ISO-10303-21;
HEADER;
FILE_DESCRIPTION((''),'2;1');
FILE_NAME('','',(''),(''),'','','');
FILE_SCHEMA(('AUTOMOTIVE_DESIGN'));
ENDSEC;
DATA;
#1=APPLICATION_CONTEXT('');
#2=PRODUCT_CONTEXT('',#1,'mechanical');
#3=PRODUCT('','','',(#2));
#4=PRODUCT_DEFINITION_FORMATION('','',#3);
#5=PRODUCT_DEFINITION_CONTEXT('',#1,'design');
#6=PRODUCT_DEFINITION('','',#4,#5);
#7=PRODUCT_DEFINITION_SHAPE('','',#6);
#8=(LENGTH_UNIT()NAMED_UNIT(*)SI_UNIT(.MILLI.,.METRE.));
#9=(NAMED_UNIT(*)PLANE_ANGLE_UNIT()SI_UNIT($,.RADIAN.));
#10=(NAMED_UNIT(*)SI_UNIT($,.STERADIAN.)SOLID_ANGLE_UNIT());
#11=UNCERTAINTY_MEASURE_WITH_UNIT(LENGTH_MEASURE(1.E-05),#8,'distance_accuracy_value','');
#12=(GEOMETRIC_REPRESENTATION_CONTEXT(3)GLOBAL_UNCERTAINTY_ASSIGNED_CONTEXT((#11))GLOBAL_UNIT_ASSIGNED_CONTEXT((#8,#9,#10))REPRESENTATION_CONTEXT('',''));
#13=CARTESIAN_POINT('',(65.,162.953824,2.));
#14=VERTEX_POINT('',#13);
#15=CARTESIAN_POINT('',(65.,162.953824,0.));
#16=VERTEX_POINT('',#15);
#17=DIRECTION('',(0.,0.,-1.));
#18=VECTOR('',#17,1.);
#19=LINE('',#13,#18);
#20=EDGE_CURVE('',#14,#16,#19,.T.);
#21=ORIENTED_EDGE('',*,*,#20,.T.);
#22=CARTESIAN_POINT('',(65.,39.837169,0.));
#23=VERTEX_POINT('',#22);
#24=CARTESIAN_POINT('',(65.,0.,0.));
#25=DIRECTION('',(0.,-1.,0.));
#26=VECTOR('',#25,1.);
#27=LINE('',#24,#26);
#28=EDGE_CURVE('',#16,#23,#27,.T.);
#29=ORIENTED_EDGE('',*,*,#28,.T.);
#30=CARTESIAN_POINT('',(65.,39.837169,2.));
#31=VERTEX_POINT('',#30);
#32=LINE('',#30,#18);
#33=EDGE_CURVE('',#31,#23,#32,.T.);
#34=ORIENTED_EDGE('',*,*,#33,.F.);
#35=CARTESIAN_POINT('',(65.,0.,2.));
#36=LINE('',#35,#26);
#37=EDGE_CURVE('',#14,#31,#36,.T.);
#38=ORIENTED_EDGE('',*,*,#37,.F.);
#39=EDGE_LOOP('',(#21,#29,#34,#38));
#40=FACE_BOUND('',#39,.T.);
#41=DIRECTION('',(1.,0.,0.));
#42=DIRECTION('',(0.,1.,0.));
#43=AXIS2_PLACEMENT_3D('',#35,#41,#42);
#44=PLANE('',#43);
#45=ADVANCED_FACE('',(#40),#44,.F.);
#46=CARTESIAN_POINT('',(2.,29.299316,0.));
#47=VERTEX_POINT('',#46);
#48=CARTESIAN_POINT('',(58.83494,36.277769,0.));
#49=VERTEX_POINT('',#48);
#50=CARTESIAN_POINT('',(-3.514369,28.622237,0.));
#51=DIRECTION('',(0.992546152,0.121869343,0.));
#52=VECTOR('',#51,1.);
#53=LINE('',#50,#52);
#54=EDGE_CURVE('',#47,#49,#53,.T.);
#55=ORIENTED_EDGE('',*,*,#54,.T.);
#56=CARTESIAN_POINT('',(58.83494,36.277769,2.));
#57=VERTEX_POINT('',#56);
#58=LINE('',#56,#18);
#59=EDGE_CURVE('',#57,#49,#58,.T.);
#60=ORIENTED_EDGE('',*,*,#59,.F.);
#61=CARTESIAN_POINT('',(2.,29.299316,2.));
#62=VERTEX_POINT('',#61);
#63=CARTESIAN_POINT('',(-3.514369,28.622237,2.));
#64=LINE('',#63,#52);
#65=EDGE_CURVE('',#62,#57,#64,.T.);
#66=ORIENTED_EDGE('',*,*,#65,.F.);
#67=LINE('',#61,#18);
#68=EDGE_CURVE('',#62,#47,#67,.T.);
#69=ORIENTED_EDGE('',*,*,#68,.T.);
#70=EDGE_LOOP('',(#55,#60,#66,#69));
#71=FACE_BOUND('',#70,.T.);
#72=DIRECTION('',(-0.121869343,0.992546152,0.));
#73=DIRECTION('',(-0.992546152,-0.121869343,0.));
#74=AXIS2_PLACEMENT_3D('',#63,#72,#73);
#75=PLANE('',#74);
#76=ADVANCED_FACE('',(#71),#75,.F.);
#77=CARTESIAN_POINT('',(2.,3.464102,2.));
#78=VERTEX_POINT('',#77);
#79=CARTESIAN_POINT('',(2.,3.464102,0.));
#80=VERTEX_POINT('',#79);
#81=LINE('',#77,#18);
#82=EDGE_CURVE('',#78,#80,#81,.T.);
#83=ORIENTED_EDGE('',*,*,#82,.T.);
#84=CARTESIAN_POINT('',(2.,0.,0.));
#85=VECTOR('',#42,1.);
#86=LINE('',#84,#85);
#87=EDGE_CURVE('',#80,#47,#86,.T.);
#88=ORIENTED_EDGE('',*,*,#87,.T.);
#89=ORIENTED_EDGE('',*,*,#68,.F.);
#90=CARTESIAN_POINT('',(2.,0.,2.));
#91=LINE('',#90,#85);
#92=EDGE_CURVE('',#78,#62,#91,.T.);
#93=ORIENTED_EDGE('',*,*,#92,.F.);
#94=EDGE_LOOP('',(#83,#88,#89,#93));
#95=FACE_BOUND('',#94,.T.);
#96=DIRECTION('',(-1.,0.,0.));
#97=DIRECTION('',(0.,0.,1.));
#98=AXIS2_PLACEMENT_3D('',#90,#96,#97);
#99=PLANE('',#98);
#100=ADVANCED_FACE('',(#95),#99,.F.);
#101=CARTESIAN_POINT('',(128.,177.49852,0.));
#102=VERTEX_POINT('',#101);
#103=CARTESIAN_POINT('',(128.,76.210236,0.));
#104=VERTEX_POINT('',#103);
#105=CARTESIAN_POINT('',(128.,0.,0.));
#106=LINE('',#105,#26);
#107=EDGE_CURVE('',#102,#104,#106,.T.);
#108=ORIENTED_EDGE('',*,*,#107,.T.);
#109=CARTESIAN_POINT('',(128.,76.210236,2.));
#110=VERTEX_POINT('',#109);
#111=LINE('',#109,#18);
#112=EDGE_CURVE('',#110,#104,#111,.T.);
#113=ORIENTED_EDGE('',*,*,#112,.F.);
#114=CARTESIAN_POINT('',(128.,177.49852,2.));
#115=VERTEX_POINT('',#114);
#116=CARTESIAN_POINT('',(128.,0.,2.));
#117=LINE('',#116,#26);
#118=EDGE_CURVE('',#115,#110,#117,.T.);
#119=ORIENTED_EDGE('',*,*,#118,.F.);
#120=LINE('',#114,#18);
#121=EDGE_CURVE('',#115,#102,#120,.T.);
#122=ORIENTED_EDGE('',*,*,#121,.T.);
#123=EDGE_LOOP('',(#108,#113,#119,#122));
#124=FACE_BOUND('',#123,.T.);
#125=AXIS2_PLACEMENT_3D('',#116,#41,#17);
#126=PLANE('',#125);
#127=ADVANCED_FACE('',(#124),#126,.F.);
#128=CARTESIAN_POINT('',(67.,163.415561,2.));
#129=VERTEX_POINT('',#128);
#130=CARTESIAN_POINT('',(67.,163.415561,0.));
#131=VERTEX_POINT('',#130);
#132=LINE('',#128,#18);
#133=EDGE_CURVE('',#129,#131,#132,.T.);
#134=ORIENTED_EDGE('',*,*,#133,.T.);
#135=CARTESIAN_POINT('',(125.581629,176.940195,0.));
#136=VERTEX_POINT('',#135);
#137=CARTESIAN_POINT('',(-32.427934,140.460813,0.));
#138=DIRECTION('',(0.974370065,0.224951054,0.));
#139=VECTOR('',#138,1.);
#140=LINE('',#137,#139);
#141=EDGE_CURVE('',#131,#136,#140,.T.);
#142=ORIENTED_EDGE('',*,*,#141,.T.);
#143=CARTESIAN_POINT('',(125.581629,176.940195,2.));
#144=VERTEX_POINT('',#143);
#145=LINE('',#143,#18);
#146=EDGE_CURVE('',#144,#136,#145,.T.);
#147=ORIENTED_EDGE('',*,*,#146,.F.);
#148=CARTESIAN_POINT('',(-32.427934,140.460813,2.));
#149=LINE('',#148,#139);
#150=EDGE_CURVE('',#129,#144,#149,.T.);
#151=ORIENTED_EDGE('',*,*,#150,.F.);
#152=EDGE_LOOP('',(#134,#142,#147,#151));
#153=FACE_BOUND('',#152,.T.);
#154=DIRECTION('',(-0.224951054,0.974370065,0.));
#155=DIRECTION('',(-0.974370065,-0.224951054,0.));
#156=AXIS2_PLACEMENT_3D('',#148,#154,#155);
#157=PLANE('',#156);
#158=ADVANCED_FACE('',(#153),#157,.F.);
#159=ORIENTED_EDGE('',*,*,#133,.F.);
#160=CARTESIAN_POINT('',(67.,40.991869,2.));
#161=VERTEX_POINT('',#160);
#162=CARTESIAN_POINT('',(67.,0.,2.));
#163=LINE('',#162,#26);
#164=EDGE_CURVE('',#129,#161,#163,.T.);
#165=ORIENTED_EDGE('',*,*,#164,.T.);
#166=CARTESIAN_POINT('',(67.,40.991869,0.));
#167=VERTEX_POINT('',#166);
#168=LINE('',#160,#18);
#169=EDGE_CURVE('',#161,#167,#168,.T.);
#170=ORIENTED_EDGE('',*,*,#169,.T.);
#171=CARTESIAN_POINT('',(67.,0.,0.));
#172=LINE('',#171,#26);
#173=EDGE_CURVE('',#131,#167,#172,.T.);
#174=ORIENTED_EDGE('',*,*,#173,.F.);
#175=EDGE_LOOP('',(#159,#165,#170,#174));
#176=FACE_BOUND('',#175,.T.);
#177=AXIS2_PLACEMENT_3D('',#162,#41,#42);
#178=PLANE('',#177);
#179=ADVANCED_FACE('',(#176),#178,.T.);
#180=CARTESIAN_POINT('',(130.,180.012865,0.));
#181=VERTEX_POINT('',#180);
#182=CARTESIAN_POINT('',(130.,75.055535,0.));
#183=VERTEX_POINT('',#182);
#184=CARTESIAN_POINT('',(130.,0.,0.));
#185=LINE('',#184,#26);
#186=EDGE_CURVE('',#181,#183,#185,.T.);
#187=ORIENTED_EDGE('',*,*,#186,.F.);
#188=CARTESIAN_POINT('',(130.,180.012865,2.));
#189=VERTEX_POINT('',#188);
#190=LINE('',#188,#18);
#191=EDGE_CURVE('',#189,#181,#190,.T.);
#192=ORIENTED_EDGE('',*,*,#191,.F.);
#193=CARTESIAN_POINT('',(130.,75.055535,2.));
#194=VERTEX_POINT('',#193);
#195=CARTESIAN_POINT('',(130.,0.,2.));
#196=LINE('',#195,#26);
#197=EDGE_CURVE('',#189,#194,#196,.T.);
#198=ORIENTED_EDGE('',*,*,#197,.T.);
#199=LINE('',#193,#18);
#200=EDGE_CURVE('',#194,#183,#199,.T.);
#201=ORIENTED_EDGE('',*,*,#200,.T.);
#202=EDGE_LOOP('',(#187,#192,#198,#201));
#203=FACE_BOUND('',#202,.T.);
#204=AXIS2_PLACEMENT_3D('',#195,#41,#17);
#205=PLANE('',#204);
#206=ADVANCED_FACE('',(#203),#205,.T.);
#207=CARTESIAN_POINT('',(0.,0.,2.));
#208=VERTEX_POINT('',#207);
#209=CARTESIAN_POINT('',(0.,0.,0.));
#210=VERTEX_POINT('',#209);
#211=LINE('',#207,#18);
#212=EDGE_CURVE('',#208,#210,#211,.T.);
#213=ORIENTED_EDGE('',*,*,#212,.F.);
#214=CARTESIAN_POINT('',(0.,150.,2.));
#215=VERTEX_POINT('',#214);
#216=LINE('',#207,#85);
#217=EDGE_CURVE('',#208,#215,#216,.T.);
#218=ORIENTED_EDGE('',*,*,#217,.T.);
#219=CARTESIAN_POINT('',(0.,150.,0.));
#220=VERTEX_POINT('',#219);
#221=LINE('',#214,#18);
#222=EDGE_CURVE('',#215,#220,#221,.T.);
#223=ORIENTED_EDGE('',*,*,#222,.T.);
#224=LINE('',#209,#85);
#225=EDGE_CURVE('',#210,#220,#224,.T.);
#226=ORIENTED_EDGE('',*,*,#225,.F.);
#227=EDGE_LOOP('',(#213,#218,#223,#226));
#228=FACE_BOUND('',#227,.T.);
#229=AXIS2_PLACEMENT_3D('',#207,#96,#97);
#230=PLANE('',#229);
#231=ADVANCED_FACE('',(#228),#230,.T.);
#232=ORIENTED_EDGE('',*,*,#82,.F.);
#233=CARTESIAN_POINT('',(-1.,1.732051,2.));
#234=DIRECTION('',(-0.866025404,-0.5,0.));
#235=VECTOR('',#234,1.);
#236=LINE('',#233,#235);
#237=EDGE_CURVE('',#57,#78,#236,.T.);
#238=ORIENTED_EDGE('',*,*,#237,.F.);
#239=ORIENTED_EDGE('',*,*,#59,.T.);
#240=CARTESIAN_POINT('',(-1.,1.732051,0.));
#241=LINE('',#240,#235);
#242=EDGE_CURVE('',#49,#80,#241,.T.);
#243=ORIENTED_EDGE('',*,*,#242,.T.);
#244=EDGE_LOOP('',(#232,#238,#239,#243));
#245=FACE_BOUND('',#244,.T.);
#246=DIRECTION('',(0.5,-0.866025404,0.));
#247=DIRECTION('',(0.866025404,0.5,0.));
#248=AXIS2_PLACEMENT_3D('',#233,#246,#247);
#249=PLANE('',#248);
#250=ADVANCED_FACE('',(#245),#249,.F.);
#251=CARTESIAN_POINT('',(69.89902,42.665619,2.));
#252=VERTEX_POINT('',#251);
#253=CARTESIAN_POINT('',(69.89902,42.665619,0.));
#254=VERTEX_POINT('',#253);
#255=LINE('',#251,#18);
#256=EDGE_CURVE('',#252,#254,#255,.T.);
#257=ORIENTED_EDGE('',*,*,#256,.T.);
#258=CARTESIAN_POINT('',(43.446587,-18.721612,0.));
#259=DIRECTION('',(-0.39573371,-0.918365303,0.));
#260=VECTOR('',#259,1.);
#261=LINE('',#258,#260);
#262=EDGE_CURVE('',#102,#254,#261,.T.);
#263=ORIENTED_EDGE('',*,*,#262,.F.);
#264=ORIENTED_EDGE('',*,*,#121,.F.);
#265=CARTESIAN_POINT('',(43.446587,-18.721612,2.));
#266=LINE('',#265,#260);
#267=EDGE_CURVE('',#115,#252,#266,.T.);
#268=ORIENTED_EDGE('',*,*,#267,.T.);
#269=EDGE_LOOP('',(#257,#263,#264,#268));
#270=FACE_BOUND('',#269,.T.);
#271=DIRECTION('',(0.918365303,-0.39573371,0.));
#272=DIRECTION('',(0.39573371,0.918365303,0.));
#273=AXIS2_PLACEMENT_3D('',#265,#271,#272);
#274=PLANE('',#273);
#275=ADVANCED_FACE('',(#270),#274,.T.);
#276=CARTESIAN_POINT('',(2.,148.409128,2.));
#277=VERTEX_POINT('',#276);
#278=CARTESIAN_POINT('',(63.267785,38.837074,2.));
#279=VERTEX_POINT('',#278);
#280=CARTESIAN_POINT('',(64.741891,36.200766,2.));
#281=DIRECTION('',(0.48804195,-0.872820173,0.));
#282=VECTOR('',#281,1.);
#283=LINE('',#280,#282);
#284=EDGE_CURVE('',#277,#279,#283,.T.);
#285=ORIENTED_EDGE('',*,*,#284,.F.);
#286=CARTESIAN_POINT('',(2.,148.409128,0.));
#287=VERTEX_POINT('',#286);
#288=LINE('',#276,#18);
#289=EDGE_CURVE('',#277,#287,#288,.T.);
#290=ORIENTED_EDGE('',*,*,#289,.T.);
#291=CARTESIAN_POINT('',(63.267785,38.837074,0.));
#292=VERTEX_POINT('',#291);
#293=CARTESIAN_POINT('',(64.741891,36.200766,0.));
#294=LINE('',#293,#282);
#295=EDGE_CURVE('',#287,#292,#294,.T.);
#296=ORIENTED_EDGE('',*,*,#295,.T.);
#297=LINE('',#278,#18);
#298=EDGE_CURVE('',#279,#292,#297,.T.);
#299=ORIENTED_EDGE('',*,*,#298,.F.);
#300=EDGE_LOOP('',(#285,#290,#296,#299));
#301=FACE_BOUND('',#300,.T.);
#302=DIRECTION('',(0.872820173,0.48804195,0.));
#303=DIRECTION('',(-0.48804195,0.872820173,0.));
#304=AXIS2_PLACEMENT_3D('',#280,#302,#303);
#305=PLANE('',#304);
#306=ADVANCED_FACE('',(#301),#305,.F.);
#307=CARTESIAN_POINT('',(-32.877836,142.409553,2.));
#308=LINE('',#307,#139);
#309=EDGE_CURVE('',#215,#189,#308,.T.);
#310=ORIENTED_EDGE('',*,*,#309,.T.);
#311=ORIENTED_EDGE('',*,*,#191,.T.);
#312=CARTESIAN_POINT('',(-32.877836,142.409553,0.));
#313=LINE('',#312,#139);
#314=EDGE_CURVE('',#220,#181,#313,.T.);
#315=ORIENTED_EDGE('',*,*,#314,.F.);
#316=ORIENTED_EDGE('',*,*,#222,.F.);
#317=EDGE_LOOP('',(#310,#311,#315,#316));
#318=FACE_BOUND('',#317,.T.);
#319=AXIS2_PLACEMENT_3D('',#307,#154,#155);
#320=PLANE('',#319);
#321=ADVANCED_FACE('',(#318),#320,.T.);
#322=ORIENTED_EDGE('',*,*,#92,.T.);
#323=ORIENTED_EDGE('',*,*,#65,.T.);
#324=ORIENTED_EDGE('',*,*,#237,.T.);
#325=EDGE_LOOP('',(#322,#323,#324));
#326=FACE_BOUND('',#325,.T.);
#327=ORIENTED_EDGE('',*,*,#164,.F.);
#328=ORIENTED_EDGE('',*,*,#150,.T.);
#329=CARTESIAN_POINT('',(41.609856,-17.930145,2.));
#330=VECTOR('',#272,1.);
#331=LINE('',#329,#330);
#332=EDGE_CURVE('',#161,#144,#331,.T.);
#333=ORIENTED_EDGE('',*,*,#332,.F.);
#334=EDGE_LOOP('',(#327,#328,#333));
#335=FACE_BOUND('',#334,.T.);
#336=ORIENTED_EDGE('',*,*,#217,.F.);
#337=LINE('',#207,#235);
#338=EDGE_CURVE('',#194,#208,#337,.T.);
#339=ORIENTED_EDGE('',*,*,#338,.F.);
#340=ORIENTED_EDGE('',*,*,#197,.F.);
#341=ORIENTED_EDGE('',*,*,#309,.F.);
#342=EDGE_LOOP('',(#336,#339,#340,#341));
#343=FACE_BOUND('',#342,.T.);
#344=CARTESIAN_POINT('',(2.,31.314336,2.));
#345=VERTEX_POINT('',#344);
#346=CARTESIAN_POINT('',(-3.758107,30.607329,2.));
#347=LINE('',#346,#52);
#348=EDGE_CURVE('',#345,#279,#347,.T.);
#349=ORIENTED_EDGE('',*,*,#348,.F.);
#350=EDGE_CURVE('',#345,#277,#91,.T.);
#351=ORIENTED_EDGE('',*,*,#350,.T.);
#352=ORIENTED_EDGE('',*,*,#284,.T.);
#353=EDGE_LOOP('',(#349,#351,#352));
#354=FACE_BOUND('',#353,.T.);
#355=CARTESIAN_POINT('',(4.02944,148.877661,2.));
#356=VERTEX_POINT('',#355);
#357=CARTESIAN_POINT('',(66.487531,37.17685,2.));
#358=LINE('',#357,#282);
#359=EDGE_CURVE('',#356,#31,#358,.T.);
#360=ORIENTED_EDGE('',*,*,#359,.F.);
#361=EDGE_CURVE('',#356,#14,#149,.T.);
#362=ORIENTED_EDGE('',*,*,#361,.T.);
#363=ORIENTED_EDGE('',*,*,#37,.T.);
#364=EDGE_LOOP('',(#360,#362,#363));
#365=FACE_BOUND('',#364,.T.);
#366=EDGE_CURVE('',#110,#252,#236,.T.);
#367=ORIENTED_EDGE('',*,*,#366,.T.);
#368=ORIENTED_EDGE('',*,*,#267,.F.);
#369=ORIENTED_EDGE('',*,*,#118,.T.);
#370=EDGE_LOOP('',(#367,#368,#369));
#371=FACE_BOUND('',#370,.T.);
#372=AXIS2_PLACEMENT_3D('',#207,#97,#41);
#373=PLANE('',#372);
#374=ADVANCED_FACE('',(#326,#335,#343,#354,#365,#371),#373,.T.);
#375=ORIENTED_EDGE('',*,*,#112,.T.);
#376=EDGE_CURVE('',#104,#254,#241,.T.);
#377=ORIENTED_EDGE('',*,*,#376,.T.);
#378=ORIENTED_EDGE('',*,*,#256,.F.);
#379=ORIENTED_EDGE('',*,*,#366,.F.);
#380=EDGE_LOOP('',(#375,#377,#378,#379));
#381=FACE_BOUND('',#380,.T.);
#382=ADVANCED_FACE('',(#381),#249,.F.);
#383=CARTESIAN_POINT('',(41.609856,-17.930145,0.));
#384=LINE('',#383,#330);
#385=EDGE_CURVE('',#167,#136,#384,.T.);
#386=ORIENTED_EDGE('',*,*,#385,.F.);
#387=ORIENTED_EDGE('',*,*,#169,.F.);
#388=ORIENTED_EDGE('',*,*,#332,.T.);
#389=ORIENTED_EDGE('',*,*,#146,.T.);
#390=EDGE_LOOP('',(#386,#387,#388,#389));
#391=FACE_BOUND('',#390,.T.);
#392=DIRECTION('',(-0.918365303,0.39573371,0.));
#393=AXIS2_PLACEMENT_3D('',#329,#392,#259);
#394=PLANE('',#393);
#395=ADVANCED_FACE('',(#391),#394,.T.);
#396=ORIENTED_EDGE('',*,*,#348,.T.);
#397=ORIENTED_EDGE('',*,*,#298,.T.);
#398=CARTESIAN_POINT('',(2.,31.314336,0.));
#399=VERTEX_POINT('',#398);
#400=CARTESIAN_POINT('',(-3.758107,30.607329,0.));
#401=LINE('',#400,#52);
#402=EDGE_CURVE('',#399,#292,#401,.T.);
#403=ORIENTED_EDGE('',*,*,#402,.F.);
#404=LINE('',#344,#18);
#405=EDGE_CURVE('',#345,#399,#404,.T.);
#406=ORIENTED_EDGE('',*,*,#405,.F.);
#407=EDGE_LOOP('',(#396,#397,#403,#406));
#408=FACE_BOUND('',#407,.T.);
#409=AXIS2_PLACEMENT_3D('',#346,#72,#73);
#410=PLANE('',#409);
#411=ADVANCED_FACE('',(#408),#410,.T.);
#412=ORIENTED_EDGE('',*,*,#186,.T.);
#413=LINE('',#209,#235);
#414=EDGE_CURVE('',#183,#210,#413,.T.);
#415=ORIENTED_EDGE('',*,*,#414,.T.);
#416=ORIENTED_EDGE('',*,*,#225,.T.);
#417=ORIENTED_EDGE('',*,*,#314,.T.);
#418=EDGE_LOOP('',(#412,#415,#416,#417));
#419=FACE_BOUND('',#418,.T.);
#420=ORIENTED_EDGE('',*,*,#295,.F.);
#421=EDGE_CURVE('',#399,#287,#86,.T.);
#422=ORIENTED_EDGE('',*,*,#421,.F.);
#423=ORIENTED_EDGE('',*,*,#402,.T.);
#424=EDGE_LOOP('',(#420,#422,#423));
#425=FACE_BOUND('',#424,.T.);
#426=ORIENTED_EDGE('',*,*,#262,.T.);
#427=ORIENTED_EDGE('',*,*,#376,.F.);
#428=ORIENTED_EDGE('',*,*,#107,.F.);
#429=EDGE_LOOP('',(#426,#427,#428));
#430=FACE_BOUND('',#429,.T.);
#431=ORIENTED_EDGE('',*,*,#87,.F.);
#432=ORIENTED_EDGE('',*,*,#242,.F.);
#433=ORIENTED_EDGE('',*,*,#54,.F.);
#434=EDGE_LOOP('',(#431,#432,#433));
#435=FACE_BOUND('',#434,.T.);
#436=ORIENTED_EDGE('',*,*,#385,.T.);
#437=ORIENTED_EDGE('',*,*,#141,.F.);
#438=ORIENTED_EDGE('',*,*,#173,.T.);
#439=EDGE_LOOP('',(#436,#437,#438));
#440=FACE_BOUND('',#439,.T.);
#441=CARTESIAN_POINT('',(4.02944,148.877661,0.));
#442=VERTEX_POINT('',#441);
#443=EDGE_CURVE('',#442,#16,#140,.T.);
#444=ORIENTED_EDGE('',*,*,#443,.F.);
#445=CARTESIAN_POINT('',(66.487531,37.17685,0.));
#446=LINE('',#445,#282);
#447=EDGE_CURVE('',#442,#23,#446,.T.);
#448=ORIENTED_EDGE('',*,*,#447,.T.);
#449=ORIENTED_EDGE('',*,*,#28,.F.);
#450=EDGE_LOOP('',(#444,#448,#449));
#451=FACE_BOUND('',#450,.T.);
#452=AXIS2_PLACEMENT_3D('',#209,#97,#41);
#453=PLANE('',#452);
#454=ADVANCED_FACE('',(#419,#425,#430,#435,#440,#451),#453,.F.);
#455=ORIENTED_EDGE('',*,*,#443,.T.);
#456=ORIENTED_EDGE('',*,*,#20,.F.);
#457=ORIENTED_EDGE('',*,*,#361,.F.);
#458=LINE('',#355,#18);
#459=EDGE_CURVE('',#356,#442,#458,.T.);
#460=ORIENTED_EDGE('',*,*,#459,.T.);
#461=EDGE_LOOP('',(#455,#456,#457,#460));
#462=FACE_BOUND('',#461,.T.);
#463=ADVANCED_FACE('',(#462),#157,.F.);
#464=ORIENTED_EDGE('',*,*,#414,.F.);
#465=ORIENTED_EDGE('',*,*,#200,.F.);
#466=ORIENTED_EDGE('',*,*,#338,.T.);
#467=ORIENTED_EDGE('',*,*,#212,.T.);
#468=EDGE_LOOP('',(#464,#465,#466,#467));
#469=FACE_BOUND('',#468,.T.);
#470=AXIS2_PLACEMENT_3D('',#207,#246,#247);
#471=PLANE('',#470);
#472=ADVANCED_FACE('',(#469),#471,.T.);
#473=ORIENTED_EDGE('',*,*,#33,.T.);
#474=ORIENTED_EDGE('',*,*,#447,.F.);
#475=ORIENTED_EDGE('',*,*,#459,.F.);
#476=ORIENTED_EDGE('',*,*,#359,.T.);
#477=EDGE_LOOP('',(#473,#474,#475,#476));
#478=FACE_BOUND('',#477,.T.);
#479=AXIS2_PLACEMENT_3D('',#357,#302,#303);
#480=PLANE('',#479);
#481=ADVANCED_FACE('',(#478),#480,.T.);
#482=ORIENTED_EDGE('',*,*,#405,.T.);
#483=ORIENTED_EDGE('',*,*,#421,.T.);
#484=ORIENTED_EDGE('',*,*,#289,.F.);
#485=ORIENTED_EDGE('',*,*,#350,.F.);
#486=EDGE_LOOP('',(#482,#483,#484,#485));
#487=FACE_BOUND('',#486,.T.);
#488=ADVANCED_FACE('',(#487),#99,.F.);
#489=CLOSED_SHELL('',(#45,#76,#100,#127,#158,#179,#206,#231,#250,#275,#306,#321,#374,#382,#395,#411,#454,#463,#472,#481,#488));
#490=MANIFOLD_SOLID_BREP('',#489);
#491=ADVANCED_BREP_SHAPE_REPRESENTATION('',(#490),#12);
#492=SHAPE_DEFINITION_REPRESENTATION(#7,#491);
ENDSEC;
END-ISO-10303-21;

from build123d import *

# Parameters (mm, degrees)
EXTRUDE_1_DEPTH = 2


with BuildPart() as part:
    # ｽｹｯﾁ1 → ﾎﾞｽ - 押し出し1 (new body)
    with BuildSketch(Plane.XY):
        Polygon((130, 75.055534995), (0, 0), (0, 150), (130, 180.012864846), align=None)
        Polygon((128, 76.210235533), (2, 3.464101615), (2, 148.409128167), (128, 177.498520248), align=None, mode=Mode.SUBTRACT)
        Polygon((67, 163.41556059), (65, 162.953824208), (65, 39.837168574), (67, 40.991869112), align=None)
        Polygon((4.029439999, 148.877661308), (2, 148.409128167), (63.267785356, 38.837073983), (65, 39.837168574), align=None)
        Polygon((125.581629022, 176.940195315), (67, 40.991869112), (69.899019864, 42.665619011), (128, 177.498520248), align=None)
        Polygon((63.267785356, 38.837073983), (2, 31.314335861), (2, 29.29931621), (58.834939644, 36.277769318), align=None)
    extrude(amount=EXTRUDE_1_DEPTH)


solid = part.part
